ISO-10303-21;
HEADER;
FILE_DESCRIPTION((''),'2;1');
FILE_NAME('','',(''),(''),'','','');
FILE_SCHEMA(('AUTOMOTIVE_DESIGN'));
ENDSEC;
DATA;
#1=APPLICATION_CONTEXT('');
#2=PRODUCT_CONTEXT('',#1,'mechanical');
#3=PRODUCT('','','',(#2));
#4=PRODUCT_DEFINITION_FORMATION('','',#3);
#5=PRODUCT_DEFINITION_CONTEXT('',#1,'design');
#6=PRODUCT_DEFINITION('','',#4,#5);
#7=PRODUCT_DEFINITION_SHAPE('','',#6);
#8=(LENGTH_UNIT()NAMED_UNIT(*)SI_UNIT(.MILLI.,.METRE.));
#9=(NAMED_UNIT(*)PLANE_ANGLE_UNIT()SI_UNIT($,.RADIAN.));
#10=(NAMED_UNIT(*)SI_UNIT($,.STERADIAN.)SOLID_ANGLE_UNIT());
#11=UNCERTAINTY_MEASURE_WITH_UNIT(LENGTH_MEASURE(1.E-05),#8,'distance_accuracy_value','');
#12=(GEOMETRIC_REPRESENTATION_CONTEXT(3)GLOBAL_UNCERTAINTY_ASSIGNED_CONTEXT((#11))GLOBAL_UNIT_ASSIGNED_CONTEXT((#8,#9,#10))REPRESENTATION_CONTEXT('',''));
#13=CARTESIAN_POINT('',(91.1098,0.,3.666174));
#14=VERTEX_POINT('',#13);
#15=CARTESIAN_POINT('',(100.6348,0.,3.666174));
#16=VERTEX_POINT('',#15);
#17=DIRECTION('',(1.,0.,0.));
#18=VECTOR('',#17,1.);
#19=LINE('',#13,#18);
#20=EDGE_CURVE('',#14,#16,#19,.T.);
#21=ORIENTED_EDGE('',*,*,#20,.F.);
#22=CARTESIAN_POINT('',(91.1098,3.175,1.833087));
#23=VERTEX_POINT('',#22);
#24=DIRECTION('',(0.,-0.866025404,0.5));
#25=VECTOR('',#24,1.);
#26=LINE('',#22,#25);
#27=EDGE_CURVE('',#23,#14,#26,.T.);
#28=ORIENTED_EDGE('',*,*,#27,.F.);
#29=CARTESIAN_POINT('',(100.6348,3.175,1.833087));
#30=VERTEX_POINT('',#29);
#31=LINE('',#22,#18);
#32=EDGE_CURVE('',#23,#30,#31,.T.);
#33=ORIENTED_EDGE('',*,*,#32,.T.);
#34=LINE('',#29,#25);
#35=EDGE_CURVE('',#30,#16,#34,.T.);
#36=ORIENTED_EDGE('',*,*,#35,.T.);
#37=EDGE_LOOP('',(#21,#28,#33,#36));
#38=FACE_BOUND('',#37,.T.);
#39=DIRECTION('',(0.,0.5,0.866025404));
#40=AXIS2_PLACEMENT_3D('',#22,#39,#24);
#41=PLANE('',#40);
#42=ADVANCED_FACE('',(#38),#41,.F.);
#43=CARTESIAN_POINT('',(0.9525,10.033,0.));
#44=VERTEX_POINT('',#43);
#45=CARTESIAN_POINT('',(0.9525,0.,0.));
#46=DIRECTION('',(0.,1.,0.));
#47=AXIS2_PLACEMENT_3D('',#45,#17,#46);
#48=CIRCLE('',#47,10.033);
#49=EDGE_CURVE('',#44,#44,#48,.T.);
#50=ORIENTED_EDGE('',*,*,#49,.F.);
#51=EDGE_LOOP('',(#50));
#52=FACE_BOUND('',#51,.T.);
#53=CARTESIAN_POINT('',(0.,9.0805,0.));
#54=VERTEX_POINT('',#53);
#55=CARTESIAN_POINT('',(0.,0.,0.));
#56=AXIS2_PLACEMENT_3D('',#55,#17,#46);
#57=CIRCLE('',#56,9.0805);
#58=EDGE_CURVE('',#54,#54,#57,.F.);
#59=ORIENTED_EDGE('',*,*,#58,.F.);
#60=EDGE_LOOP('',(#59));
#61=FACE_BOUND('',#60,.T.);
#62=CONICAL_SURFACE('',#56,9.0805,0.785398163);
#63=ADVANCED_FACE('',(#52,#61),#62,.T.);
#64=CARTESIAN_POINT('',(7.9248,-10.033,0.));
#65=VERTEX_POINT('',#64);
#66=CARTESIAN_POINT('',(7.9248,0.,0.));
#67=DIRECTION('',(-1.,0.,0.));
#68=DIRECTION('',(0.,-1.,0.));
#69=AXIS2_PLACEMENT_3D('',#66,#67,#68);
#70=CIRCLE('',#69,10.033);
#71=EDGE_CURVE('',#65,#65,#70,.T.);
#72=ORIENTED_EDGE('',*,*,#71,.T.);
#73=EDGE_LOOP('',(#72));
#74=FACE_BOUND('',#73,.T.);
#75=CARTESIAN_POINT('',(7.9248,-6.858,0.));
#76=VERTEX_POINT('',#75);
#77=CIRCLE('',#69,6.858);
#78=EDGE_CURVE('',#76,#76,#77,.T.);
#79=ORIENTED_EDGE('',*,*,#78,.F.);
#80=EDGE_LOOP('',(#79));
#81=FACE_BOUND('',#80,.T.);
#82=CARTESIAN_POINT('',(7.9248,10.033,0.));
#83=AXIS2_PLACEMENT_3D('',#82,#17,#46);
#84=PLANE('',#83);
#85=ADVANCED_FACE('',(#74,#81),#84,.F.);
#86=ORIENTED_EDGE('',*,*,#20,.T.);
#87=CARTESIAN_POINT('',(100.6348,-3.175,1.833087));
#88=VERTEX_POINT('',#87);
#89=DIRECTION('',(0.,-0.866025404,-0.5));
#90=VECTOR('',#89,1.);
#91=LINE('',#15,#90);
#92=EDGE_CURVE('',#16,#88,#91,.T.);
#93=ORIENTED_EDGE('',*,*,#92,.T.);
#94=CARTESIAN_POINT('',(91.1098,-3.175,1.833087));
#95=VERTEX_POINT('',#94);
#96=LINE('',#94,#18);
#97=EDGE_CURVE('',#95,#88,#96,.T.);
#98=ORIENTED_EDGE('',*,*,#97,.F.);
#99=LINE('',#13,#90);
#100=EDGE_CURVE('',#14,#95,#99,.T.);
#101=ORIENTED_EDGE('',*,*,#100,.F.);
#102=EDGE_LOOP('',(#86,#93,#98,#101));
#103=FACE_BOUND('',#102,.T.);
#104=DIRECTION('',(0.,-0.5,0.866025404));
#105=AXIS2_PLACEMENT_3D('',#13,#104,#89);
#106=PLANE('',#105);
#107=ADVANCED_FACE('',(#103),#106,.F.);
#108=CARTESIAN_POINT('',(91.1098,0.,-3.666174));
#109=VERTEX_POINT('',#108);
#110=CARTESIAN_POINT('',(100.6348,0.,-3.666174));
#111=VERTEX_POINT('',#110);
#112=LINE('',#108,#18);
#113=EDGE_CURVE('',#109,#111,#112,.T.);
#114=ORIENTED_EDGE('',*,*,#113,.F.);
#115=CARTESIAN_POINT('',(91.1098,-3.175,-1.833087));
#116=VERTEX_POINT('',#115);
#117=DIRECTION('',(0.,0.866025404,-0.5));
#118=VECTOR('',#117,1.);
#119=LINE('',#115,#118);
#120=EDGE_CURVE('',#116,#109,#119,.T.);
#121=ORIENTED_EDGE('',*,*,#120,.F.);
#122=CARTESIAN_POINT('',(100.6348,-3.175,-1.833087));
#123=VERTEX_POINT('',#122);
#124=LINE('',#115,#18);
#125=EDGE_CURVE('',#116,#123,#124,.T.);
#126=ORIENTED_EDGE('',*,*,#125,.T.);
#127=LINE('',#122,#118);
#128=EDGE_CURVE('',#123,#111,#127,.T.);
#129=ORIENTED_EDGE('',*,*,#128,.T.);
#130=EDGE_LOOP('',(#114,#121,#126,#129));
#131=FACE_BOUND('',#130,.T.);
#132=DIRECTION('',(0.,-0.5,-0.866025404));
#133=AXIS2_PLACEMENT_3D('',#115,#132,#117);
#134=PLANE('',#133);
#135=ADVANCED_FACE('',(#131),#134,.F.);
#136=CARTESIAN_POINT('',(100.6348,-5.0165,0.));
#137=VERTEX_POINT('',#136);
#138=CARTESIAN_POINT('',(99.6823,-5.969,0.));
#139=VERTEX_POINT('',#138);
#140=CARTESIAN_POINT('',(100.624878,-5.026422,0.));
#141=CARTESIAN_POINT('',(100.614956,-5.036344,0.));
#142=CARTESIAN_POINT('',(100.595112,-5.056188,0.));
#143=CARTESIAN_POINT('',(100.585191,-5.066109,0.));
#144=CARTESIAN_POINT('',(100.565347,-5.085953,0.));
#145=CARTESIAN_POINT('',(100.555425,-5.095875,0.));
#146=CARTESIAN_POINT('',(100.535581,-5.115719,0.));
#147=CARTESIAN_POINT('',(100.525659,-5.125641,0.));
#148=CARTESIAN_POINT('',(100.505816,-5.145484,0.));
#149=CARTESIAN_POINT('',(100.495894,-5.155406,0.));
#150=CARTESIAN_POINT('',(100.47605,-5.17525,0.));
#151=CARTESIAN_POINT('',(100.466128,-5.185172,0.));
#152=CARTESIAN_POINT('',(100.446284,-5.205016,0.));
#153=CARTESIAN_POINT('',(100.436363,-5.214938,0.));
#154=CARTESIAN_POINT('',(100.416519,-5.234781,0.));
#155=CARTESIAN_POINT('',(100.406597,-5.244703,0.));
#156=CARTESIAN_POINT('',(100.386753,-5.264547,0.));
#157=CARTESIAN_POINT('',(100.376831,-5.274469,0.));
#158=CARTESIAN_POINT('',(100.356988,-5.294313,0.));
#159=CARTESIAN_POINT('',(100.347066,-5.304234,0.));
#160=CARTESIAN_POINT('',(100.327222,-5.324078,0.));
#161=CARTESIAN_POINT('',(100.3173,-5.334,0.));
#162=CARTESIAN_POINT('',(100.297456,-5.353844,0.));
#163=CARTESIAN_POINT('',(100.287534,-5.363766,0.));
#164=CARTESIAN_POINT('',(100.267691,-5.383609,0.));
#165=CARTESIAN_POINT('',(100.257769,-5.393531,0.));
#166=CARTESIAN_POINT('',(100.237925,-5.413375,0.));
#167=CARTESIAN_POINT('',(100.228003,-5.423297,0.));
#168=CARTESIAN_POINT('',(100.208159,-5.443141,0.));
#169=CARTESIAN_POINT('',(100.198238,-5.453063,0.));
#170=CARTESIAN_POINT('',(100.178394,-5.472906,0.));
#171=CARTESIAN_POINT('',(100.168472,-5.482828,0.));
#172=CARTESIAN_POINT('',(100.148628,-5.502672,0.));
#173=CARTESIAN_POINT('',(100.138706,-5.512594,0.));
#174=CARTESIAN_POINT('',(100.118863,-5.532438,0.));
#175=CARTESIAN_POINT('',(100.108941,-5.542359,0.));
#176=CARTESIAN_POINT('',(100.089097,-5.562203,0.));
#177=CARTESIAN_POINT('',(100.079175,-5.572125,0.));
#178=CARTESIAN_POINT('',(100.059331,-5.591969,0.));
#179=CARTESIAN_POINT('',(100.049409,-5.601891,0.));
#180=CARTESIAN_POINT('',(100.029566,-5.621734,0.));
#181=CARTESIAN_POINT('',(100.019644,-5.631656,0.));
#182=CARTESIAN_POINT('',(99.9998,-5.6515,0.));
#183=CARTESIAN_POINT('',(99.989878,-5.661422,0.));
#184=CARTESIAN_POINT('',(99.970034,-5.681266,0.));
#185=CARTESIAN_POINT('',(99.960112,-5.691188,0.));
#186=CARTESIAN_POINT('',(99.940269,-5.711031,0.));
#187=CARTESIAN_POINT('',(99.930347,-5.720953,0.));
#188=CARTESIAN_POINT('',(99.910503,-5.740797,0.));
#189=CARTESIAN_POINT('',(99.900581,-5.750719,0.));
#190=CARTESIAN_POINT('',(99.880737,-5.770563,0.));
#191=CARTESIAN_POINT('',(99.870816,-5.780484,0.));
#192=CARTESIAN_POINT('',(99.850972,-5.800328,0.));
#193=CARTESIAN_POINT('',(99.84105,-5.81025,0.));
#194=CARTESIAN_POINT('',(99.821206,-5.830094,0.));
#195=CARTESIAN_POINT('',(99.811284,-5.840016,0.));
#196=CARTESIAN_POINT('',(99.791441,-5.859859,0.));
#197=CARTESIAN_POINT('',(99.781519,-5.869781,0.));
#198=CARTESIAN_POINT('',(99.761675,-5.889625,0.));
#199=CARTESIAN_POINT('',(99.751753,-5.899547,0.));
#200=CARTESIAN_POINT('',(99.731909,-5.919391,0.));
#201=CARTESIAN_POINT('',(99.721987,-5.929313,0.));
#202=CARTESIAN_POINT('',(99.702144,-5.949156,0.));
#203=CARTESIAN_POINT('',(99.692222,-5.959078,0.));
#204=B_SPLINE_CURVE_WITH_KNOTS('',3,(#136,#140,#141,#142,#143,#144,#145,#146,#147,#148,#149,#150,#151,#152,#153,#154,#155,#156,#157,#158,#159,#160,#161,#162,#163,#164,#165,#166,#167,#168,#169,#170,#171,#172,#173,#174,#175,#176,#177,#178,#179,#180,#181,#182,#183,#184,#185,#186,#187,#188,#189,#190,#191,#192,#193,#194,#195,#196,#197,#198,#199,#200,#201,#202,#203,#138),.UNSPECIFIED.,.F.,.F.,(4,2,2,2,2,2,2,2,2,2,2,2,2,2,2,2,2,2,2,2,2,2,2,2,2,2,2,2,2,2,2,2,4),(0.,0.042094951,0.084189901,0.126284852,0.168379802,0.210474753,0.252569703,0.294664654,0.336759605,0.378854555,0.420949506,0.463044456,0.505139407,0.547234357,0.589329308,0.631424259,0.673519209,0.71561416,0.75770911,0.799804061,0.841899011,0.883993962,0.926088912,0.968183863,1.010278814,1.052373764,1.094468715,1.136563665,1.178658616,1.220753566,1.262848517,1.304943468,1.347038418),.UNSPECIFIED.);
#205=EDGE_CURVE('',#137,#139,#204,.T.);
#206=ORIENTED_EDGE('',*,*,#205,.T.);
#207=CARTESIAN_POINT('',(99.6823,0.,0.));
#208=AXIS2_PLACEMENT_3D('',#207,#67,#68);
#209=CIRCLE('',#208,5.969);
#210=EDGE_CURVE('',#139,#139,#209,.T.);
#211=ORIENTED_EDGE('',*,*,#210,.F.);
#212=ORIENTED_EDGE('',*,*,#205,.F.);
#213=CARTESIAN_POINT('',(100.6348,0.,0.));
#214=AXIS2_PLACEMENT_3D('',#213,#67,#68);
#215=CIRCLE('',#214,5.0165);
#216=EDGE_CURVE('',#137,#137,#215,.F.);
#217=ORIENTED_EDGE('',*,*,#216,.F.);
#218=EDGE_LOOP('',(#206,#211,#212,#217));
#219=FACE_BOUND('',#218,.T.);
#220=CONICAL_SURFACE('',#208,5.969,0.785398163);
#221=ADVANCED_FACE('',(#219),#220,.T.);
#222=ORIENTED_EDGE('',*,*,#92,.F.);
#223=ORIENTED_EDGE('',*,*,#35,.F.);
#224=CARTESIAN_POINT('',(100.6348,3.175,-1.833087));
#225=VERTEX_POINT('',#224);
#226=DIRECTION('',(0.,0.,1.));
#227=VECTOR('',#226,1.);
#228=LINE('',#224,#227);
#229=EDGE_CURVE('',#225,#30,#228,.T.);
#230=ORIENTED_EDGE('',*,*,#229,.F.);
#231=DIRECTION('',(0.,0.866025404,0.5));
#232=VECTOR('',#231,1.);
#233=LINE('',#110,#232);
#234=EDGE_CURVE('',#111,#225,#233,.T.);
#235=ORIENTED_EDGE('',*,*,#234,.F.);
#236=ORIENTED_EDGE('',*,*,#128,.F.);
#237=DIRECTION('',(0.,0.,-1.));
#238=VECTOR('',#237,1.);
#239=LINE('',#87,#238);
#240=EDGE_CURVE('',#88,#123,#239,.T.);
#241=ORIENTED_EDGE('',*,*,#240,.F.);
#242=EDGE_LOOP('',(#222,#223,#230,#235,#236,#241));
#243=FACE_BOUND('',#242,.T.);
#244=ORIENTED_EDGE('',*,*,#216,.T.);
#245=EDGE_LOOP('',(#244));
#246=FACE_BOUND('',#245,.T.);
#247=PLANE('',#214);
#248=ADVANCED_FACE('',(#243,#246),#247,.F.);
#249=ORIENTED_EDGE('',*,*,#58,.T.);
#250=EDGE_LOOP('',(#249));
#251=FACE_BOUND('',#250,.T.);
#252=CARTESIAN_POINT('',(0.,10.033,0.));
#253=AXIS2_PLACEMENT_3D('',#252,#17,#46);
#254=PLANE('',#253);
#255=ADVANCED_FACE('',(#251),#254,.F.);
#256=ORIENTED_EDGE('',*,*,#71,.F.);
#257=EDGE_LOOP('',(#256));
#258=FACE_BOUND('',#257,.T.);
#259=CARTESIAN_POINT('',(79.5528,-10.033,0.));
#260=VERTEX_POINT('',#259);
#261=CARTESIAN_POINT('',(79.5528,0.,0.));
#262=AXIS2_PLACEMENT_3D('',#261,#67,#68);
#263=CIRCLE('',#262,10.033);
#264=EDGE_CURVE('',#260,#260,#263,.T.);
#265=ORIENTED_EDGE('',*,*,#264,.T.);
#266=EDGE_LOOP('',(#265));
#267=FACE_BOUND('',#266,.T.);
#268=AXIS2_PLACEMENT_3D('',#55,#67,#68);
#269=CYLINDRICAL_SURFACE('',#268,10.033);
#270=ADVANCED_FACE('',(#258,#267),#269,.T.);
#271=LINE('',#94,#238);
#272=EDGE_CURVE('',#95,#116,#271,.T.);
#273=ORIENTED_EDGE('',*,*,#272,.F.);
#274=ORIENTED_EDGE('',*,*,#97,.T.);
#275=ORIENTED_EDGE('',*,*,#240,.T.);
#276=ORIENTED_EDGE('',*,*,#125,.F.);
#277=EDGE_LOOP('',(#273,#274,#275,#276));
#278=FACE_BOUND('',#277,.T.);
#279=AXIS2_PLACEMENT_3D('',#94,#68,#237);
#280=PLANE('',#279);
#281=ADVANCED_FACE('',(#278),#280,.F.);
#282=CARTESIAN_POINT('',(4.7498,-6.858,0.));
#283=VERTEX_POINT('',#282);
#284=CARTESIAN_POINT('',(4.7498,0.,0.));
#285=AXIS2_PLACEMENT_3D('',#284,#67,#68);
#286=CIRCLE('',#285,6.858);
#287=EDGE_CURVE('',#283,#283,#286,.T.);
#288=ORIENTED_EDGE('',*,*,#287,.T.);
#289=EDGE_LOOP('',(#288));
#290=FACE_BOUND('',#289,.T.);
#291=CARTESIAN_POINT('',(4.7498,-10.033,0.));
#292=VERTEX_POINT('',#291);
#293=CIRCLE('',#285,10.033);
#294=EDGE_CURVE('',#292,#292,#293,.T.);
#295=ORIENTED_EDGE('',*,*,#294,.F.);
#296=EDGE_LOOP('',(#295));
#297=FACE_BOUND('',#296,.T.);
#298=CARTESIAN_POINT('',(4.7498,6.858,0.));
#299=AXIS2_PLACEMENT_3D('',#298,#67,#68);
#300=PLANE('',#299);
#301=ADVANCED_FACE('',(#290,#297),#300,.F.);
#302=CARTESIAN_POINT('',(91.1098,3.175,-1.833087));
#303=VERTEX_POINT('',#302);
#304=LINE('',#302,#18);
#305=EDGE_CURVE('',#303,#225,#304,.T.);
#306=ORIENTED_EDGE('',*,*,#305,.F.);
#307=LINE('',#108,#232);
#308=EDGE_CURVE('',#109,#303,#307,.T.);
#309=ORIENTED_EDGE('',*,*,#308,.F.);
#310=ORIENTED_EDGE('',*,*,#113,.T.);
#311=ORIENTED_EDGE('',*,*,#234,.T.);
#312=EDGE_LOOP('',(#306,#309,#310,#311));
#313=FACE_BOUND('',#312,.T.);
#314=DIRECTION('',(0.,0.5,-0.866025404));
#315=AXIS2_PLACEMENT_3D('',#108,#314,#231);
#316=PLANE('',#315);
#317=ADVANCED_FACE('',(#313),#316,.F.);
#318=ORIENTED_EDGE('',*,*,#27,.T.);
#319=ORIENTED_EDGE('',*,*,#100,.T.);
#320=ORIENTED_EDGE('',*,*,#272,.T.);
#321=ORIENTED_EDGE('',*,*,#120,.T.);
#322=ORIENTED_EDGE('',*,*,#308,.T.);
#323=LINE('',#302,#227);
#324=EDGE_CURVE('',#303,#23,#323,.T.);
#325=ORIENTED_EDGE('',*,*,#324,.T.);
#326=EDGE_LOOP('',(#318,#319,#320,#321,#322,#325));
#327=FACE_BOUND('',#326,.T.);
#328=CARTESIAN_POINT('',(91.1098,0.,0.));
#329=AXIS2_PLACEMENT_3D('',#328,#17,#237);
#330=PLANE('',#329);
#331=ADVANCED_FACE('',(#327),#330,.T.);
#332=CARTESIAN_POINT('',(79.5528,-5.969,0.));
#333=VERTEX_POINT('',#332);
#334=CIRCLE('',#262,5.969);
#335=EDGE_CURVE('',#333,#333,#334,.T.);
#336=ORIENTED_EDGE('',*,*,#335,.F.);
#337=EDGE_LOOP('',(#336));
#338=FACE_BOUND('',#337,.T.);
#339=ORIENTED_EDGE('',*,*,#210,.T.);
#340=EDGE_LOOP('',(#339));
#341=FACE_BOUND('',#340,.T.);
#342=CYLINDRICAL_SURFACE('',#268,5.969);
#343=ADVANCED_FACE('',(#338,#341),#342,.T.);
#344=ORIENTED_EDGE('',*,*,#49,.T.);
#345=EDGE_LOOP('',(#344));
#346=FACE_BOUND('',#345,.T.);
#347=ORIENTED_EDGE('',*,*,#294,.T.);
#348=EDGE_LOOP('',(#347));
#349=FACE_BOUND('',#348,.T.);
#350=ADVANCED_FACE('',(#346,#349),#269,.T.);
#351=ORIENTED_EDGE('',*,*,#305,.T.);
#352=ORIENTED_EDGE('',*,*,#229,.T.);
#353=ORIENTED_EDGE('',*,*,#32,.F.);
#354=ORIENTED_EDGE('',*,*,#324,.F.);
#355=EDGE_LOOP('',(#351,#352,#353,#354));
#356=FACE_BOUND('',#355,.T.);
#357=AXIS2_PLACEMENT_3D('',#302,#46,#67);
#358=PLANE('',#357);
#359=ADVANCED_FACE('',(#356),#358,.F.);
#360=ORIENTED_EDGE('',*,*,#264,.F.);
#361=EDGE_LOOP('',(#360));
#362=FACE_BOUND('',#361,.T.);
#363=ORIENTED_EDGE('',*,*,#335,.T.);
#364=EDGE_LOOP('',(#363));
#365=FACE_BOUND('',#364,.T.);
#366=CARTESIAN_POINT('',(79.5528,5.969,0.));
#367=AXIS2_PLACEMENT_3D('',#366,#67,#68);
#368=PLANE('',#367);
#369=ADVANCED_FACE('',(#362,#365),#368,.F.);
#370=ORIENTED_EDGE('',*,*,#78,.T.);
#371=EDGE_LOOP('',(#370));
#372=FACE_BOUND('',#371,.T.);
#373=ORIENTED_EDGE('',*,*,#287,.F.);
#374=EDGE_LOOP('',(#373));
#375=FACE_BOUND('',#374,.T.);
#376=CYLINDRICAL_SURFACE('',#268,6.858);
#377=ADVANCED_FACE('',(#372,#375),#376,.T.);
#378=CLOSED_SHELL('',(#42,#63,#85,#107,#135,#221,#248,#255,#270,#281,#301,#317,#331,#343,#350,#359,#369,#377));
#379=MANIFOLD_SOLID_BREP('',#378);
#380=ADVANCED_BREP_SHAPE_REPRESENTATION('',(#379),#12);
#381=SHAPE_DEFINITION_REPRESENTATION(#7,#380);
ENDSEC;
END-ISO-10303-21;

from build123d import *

# Parameters (mm, degrees)
CUT_EXTRUDE1_DEPTH = 9.525
CHAMFER1_SIZE      = 0.9525


with BuildPart() as part:
    # Sketch1 → Revolve1 (revolve)
    with BuildSketch(Plane.XY, mode=Mode.PRIVATE) as revolve1_sk:
        Polygon((0, 0), (100.6348, 0), (100.6348, 5.969), (79.5528, 5.969), (79.5528, 10.033), (7.9248, 10.033), (7.9248, 6.858), (4.7498, 6.858), (4.7498, 10.033), (0, 10.033), align=None)
    revolve(revolve1_sk.sketch.rotate(Axis((0, 0, 0), (1, 0, 0)), 180), axis=Axis((0, 0, 0), (1, 0, 0)))

    # Sketch2 → Cut-Extrude1 (cut)
    with BuildSketch(Plane(origin=(100.6348, 0, 0), x_dir=(0, 0, -1), z_dir=(1, 0, 0))):
        Polygon((3.666174209, 0), (1.833087105, 3.175), (-1.833087105, 3.175), (-3.666174209, 0), (-1.833087105, -3.175), (1.833087105, -3.175), align=None)
    extrude(amount=-CUT_EXTRUDE1_DEPTH, mode=Mode.SUBTRACT)

    # Chamfer1
    chamfer1_edges = [part.edges().sort_by_distance(p)[0] for p in [
        (100.6348, 5.969, 0),
        (0, 10.033, 0),
    ]]
    chamfer(chamfer1_edges, length=CHAMFER1_SIZE)


solid = part.part
